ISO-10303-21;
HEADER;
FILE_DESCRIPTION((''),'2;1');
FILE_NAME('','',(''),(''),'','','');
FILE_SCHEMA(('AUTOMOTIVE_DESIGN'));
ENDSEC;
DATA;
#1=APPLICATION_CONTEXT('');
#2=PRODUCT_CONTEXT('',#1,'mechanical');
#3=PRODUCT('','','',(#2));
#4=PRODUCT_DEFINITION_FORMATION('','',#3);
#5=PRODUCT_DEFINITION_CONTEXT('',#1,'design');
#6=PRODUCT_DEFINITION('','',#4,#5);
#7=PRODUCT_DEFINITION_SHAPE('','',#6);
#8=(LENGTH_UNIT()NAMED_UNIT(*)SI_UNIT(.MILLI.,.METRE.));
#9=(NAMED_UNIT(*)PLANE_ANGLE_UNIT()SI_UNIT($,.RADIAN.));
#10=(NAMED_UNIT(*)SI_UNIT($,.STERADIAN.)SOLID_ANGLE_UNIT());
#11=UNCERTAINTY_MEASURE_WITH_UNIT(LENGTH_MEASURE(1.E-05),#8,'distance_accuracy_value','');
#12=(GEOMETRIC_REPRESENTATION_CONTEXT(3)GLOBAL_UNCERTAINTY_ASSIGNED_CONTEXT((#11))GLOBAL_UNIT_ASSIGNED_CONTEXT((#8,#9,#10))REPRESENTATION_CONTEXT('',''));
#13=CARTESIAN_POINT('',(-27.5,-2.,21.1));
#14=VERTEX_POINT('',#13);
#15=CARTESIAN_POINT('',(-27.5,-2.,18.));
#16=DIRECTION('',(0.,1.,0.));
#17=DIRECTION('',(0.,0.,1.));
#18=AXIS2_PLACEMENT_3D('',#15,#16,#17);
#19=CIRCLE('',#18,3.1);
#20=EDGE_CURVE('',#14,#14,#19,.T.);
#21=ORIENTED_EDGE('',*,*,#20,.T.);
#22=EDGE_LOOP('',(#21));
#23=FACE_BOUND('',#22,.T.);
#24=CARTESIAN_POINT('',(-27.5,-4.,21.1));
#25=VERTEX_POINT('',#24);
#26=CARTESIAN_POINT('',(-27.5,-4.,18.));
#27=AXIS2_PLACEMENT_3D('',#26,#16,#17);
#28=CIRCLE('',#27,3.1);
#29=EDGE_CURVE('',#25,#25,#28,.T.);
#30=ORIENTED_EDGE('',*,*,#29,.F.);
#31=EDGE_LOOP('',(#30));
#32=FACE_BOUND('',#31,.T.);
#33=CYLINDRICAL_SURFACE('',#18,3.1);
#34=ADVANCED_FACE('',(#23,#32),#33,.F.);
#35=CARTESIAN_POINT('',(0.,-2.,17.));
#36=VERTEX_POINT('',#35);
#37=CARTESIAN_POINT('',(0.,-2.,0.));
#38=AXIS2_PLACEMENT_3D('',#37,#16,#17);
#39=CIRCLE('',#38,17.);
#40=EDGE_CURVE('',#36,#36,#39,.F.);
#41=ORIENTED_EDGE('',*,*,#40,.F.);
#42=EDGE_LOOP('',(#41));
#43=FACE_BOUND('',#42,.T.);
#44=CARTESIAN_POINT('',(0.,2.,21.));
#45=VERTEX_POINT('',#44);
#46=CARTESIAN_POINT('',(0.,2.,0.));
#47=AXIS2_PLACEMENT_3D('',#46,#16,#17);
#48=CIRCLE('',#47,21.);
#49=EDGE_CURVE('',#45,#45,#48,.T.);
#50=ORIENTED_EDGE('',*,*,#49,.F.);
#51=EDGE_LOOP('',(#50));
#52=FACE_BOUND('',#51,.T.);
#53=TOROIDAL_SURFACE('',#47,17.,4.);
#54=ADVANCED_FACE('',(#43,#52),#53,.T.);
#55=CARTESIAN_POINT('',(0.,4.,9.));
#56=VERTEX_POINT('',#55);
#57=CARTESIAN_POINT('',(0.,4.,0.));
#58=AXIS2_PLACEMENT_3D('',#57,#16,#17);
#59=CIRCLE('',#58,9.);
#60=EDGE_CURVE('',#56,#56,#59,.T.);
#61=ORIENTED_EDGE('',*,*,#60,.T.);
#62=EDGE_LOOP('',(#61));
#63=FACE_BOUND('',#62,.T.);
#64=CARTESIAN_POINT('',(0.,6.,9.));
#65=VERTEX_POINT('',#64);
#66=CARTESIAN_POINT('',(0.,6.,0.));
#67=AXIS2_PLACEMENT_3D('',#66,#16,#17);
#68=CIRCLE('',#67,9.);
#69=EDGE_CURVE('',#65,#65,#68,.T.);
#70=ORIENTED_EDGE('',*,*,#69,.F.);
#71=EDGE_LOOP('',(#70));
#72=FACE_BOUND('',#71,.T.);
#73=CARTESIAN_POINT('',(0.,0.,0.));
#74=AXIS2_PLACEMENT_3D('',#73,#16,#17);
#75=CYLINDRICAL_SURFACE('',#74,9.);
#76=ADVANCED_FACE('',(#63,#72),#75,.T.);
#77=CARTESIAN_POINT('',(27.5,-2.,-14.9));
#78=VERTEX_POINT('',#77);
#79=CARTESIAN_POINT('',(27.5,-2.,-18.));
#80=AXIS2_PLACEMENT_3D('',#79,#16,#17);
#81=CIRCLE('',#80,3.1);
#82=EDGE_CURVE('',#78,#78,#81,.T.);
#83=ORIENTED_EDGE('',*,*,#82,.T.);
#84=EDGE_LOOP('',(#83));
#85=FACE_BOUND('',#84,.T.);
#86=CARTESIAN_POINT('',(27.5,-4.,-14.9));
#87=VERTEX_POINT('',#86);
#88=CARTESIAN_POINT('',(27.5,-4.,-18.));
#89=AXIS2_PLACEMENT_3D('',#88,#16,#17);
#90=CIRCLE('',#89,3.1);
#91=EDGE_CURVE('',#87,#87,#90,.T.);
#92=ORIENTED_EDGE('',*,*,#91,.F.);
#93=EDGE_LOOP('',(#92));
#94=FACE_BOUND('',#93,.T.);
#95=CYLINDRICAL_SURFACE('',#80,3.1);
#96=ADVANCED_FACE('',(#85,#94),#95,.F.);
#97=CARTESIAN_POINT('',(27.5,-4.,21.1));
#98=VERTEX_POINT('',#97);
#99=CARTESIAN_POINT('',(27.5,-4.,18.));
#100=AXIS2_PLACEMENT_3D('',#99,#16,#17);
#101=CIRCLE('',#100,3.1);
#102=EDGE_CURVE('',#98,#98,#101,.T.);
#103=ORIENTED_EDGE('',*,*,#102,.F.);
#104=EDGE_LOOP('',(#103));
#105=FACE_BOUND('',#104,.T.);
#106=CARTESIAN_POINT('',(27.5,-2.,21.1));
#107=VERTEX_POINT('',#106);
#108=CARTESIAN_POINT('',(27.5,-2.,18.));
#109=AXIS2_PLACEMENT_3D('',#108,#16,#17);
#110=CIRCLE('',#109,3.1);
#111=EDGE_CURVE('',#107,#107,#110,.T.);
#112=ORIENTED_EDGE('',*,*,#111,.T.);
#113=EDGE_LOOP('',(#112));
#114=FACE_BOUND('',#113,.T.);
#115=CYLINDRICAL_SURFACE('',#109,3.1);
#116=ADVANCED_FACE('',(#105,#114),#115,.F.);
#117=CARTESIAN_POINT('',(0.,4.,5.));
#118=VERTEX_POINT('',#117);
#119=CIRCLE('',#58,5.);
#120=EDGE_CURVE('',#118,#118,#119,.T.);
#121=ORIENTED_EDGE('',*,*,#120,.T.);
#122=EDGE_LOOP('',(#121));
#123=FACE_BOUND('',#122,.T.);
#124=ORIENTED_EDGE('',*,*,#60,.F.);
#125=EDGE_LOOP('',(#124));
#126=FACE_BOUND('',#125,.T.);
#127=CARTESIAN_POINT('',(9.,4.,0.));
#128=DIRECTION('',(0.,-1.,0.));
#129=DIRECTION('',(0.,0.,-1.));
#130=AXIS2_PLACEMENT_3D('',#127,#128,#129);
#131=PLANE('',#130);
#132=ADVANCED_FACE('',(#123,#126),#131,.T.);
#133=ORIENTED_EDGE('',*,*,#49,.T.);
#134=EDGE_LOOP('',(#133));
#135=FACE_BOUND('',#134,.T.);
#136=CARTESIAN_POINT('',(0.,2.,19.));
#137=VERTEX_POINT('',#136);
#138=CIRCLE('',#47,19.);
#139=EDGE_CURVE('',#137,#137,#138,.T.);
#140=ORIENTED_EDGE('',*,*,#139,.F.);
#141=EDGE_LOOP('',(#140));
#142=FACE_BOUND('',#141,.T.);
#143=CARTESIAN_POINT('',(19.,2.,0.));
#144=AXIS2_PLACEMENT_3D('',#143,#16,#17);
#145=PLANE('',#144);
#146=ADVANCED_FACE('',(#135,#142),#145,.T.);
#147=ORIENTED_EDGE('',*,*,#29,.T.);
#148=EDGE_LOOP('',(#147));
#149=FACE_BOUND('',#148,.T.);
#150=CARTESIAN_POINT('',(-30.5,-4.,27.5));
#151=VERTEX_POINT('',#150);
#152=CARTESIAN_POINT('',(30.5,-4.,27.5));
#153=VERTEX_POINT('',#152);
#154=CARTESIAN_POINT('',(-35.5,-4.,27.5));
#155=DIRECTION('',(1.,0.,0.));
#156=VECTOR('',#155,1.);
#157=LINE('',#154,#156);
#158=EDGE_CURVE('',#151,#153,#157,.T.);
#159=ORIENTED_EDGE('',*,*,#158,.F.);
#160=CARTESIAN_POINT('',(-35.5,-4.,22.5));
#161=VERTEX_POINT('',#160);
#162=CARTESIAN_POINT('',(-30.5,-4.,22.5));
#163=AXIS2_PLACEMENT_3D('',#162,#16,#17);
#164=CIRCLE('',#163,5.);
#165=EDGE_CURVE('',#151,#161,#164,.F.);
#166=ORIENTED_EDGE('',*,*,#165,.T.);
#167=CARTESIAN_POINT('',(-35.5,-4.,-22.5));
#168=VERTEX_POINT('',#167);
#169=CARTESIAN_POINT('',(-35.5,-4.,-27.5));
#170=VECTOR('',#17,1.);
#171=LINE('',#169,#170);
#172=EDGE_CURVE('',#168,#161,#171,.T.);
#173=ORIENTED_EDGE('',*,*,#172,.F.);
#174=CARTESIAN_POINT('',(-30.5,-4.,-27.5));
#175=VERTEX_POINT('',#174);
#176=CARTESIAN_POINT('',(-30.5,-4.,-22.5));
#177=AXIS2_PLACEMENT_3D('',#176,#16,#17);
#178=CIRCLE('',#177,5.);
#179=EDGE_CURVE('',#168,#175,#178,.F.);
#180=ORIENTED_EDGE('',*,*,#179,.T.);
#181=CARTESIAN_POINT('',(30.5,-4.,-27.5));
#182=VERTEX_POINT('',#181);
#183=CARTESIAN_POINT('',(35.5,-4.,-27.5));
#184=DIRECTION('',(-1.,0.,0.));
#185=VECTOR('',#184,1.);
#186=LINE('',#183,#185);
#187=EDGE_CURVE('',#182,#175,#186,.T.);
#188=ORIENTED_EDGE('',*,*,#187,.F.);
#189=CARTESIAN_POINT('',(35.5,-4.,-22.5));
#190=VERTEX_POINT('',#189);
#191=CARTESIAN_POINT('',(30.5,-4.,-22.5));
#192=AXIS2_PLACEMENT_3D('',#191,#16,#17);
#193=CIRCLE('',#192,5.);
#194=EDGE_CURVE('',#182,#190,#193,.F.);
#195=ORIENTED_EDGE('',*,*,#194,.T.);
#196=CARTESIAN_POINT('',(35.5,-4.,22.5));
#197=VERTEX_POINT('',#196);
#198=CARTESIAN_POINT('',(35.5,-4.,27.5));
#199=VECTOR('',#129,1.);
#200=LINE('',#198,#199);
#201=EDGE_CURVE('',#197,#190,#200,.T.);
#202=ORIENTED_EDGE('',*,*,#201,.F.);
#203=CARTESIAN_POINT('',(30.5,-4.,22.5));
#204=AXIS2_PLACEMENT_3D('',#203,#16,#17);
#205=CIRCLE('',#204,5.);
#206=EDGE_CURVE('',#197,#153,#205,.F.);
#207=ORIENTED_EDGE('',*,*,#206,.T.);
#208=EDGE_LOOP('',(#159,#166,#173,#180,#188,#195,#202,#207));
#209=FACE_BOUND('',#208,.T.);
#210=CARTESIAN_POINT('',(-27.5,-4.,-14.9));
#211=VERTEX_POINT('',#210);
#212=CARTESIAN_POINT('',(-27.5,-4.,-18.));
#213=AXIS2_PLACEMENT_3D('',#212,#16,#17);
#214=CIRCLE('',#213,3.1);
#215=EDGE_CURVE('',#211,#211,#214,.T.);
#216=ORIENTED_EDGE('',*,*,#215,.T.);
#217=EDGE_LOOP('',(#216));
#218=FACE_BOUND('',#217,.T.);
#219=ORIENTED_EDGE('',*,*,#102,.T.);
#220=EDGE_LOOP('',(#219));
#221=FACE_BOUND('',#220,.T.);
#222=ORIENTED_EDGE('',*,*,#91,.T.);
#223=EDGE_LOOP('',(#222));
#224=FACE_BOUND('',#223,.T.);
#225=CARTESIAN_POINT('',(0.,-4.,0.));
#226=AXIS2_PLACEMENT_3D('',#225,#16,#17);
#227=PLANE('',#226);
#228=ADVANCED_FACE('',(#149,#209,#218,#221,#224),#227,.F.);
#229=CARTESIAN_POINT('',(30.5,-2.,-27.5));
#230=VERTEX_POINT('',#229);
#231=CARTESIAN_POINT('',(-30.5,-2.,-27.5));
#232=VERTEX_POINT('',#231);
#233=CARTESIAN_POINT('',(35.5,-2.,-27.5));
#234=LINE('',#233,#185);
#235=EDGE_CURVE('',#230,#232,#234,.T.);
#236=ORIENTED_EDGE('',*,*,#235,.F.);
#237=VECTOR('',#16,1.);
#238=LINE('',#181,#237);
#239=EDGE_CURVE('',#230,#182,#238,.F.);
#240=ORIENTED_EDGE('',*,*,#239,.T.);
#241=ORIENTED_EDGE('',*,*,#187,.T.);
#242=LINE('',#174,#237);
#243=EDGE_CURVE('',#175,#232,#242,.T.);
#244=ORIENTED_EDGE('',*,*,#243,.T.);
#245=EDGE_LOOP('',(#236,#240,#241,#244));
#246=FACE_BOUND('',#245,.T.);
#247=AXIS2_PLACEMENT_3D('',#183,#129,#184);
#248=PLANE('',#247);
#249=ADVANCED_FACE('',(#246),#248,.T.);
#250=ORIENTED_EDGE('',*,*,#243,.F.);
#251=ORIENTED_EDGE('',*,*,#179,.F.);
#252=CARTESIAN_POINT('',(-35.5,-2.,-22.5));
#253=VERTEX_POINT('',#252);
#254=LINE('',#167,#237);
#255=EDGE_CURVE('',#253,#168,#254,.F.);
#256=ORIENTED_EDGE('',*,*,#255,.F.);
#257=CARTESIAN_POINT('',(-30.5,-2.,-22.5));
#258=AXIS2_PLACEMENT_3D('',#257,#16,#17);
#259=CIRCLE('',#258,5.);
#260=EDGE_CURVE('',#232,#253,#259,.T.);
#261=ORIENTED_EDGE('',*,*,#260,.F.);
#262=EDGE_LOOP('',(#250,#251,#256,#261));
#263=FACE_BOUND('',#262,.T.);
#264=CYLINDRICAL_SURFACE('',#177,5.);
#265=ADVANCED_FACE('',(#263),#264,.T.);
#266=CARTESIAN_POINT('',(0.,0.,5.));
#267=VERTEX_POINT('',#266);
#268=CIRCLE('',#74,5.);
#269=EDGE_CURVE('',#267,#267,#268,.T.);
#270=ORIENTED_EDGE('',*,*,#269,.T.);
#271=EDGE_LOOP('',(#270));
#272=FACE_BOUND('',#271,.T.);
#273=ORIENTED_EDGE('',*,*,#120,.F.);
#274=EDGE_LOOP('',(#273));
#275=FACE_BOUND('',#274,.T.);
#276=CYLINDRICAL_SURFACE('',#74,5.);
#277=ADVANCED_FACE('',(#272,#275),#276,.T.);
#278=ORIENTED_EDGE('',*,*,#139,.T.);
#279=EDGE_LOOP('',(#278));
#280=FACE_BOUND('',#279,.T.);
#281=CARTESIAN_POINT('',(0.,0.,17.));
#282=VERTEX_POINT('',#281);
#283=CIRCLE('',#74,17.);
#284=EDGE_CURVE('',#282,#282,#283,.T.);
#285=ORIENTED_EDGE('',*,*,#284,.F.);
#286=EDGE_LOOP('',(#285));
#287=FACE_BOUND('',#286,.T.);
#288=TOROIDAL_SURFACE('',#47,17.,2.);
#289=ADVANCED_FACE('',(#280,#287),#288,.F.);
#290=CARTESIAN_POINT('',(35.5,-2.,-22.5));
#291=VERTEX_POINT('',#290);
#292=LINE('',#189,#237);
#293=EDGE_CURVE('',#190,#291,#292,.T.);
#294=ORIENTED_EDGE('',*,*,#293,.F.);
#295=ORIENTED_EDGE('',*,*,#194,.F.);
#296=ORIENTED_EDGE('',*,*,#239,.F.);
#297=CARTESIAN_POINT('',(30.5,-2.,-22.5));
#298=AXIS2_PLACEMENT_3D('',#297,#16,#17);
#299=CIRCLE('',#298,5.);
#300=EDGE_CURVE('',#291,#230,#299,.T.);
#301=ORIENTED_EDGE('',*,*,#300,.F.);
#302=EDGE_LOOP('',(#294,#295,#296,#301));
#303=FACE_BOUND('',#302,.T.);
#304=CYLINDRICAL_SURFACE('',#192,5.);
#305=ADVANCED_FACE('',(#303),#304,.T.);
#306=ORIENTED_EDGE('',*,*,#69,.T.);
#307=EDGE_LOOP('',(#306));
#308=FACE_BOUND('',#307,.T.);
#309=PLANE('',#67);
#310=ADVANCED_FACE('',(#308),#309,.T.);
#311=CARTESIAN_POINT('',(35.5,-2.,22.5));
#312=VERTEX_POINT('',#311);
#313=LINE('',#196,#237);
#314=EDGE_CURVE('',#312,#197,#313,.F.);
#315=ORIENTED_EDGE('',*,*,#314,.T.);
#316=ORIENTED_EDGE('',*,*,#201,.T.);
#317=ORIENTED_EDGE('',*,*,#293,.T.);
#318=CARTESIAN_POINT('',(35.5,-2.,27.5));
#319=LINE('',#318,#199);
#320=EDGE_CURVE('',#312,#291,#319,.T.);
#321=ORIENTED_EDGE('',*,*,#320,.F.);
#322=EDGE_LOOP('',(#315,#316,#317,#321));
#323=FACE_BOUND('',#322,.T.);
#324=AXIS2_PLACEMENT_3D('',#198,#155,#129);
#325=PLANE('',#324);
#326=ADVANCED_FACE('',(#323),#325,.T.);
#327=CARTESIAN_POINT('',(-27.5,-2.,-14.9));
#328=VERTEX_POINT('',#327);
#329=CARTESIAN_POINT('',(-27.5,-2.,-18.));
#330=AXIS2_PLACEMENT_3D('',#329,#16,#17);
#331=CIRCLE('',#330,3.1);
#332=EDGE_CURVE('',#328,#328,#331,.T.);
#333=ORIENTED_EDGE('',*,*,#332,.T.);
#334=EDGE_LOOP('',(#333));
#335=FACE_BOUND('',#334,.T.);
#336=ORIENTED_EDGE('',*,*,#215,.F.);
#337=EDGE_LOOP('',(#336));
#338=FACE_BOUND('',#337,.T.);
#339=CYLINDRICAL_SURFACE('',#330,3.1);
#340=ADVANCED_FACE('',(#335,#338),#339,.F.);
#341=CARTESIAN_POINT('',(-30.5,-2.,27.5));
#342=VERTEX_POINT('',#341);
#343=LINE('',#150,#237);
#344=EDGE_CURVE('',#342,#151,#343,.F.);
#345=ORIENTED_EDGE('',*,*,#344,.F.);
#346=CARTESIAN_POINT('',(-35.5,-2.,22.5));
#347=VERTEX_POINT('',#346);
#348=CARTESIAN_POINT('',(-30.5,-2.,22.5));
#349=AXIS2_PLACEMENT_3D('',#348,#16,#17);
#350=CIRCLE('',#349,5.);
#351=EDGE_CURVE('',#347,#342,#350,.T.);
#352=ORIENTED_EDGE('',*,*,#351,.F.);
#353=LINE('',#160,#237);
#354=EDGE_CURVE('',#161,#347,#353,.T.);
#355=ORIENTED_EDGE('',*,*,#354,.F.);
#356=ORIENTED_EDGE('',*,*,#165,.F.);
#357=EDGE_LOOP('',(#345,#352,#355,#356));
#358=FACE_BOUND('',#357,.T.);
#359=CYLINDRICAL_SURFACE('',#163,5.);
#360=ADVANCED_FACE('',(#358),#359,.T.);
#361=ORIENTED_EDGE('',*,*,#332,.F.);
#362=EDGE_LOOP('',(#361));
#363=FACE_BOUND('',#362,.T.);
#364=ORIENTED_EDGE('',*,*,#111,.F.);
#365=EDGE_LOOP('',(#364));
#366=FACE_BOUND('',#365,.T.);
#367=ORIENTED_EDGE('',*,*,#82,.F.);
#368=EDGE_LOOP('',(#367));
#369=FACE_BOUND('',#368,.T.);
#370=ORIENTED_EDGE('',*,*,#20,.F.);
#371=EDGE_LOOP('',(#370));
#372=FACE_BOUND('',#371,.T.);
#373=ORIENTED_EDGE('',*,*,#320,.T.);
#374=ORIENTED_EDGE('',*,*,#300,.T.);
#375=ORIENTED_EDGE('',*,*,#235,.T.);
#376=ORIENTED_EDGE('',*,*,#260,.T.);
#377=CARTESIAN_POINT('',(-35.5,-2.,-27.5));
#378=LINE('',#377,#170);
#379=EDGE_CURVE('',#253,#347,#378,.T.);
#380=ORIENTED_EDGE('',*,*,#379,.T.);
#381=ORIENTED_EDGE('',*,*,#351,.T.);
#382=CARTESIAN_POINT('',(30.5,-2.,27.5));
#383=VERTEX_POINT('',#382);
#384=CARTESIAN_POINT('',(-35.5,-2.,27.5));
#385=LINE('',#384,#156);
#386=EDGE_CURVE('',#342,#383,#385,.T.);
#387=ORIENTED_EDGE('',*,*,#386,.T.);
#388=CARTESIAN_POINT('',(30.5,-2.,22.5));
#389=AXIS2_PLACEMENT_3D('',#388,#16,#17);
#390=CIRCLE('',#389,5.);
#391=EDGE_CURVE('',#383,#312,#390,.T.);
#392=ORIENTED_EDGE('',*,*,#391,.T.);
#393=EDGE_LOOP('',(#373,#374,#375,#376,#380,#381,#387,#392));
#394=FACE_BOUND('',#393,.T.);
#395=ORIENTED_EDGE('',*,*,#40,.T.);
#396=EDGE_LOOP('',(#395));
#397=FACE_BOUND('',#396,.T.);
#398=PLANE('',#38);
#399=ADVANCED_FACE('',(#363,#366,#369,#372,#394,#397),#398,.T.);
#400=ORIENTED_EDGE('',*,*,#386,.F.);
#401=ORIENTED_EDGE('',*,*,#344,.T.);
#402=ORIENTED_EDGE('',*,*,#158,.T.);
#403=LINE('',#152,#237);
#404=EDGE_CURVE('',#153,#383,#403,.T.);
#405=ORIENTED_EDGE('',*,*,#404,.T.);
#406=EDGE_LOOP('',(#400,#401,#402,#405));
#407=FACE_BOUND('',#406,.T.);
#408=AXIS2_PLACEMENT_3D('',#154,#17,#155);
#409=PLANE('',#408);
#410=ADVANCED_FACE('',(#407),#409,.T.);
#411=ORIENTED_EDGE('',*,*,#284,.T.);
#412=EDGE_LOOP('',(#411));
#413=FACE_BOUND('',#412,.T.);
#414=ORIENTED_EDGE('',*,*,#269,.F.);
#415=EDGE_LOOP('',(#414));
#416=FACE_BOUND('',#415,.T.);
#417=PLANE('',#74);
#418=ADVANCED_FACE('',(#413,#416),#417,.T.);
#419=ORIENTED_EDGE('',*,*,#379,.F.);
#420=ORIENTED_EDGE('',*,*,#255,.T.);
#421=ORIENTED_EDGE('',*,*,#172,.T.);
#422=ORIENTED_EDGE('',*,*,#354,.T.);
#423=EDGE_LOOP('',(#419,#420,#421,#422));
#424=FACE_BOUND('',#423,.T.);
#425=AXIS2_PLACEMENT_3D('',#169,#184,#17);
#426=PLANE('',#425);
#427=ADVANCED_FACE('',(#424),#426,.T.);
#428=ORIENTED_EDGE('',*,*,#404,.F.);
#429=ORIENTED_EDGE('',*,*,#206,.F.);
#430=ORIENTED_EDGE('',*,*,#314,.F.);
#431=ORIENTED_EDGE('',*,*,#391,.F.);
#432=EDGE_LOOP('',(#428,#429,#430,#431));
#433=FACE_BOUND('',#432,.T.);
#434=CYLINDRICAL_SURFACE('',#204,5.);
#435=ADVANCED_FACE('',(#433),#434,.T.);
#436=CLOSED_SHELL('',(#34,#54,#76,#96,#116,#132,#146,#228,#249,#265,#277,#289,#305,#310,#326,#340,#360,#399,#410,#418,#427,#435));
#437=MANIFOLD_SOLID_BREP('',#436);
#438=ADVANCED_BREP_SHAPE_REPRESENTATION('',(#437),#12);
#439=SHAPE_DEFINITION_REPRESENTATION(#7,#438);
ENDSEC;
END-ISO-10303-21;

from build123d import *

# Parameters (mm, degrees)
SKETCH_2_W              = 71
SKETCH_2_H              = 55
EXTRUDE_1_DEPTH         = 2
HOLE_WIZARD_6_2_6_2_1_D = 6.2
FILLET_1_R              = 5


with BuildPart() as part:
    # 草图1 → 旋转1 (revolve)
    with BuildSketch(Plane(origin=(0, 0, 0), x_dir=(-1, 0, 0), z_dir=(0, 0, -1)), mode=Mode.PRIVATE) as revolve_1_sk:
        with BuildLine():
            Line((-17, -2), (0, -2))
            Line((0, -2), (0, 0))
            Line((0, 0), (-17, 0))
            ThreePointArc((-17, 0), (-18.414213562, 0.585786438), (-19, 2))
            Line((-19, 2), (-21, 2))
            ThreePointArc((-21, 2), (-19.828427125, -0.828427125), (-17, -2))
        make_face()
    revolve(revolve_1_sk.sketch.rotate(Axis((0, -2.005, 0), (0, 1, 0)), 270), axis=Axis((0, -2.005, 0), (0, 1, 0)))

    # 草图2 → 凸台-拉伸1 (add)
    with BuildSketch(Plane(origin=(0, -2, 0), x_dir=(1, 0, 0), z_dir=(0, 1, 0))):
        Rectangle(SKETCH_2_W, SKETCH_2_H)
    extrude(amount=-EXTRUDE_1_DEPTH)

    # 草图3 → 旋转2 (revolve)
    with BuildSketch(Plane(origin=(0, 0, 0), x_dir=(-1, 0, 0), z_dir=(0, 0, -1)), mode=Mode.PRIVATE) as revolve_2_sk:
        Polygon((-5, 0), (0, 0), (0, 6), (-9, 6), (-9, 4), (-5, 4), align=None)
    revolve(revolve_2_sk.sketch.rotate(Axis((0, 0, 0), (0, 1, 0)), 270), axis=Axis((0, 0, 0), (0, 1, 0)))

    # Ø6.2 (6.2) 直径孔1 (through all)
    with Locations(Plane(origin=(0, -2, 0), x_dir=(1, 0, 0), z_dir=(0, 1, 0))):
        with Locations((-27.5, 18), (-27.5, -18), (27.5, -18), (27.5, 18)):
            Hole(HOLE_WIZARD_6_2_6_2_1_D / 2)

    # 圆角1
    fillet_1_edges = [part.edges().sort_by_distance(p)[0] for p in [
        (35.5, -3, -27.5),
        (35.5, -3, 27.5),
        (-35.5, -3, 27.5),
        (-35.5, -3, -27.5),
    ]]
    fillet(fillet_1_edges, radius=FILLET_1_R)


solid = part.part
